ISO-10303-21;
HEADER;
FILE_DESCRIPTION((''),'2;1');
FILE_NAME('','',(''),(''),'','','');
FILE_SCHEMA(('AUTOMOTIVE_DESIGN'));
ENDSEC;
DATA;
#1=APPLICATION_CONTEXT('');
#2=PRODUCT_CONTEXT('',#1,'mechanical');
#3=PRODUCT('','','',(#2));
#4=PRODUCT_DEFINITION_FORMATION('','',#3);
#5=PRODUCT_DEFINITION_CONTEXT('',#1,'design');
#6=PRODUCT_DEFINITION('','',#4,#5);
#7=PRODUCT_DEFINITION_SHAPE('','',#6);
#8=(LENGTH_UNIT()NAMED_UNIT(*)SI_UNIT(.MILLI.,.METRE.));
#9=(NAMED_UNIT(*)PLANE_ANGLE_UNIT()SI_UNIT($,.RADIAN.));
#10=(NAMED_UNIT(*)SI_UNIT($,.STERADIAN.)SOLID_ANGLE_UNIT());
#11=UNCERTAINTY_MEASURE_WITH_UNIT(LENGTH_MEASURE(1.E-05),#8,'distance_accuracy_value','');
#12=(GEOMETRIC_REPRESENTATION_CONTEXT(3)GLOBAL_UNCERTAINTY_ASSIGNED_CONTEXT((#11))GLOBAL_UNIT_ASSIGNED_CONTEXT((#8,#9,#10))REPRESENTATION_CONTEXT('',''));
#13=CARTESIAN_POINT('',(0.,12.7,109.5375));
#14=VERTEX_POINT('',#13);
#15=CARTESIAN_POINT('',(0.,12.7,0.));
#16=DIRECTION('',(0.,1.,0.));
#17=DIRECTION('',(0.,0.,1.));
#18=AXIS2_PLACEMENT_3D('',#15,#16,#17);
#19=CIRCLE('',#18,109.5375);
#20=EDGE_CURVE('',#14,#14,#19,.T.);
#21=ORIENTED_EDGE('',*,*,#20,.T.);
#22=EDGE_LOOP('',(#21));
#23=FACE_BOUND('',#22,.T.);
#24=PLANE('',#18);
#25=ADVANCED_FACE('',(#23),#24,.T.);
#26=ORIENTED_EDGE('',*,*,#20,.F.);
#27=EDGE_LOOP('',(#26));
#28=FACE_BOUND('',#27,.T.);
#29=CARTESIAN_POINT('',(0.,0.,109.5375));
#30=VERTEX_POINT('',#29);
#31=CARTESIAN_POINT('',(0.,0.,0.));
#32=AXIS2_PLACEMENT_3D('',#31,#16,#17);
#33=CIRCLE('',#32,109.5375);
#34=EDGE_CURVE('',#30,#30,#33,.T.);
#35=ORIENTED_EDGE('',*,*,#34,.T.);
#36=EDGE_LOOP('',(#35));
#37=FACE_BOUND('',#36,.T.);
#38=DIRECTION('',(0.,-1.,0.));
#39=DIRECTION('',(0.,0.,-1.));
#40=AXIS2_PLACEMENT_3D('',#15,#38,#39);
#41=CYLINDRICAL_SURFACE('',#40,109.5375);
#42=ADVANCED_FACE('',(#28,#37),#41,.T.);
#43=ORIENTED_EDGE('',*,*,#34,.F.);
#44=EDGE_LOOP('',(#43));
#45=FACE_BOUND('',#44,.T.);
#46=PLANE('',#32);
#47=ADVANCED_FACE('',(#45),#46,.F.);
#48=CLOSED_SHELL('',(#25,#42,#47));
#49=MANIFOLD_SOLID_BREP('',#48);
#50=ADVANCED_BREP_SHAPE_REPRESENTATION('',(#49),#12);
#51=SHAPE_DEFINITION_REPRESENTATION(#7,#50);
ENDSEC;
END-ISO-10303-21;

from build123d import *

# Parameters (mm, degrees)
SKETCH1_R      = 109.5375
EXTRUDE1_DEPTH = 12.7


with BuildPart() as part:
    # Sketch1 → Extrude1 (new body)
    with BuildSketch(Plane(origin=(0, 0, 0), x_dir=(1, 0, 0), z_dir=(0, 1, 0))):
        Circle(SKETCH1_R)
    extrude(amount=EXTRUDE1_DEPTH)


solid = part.part
